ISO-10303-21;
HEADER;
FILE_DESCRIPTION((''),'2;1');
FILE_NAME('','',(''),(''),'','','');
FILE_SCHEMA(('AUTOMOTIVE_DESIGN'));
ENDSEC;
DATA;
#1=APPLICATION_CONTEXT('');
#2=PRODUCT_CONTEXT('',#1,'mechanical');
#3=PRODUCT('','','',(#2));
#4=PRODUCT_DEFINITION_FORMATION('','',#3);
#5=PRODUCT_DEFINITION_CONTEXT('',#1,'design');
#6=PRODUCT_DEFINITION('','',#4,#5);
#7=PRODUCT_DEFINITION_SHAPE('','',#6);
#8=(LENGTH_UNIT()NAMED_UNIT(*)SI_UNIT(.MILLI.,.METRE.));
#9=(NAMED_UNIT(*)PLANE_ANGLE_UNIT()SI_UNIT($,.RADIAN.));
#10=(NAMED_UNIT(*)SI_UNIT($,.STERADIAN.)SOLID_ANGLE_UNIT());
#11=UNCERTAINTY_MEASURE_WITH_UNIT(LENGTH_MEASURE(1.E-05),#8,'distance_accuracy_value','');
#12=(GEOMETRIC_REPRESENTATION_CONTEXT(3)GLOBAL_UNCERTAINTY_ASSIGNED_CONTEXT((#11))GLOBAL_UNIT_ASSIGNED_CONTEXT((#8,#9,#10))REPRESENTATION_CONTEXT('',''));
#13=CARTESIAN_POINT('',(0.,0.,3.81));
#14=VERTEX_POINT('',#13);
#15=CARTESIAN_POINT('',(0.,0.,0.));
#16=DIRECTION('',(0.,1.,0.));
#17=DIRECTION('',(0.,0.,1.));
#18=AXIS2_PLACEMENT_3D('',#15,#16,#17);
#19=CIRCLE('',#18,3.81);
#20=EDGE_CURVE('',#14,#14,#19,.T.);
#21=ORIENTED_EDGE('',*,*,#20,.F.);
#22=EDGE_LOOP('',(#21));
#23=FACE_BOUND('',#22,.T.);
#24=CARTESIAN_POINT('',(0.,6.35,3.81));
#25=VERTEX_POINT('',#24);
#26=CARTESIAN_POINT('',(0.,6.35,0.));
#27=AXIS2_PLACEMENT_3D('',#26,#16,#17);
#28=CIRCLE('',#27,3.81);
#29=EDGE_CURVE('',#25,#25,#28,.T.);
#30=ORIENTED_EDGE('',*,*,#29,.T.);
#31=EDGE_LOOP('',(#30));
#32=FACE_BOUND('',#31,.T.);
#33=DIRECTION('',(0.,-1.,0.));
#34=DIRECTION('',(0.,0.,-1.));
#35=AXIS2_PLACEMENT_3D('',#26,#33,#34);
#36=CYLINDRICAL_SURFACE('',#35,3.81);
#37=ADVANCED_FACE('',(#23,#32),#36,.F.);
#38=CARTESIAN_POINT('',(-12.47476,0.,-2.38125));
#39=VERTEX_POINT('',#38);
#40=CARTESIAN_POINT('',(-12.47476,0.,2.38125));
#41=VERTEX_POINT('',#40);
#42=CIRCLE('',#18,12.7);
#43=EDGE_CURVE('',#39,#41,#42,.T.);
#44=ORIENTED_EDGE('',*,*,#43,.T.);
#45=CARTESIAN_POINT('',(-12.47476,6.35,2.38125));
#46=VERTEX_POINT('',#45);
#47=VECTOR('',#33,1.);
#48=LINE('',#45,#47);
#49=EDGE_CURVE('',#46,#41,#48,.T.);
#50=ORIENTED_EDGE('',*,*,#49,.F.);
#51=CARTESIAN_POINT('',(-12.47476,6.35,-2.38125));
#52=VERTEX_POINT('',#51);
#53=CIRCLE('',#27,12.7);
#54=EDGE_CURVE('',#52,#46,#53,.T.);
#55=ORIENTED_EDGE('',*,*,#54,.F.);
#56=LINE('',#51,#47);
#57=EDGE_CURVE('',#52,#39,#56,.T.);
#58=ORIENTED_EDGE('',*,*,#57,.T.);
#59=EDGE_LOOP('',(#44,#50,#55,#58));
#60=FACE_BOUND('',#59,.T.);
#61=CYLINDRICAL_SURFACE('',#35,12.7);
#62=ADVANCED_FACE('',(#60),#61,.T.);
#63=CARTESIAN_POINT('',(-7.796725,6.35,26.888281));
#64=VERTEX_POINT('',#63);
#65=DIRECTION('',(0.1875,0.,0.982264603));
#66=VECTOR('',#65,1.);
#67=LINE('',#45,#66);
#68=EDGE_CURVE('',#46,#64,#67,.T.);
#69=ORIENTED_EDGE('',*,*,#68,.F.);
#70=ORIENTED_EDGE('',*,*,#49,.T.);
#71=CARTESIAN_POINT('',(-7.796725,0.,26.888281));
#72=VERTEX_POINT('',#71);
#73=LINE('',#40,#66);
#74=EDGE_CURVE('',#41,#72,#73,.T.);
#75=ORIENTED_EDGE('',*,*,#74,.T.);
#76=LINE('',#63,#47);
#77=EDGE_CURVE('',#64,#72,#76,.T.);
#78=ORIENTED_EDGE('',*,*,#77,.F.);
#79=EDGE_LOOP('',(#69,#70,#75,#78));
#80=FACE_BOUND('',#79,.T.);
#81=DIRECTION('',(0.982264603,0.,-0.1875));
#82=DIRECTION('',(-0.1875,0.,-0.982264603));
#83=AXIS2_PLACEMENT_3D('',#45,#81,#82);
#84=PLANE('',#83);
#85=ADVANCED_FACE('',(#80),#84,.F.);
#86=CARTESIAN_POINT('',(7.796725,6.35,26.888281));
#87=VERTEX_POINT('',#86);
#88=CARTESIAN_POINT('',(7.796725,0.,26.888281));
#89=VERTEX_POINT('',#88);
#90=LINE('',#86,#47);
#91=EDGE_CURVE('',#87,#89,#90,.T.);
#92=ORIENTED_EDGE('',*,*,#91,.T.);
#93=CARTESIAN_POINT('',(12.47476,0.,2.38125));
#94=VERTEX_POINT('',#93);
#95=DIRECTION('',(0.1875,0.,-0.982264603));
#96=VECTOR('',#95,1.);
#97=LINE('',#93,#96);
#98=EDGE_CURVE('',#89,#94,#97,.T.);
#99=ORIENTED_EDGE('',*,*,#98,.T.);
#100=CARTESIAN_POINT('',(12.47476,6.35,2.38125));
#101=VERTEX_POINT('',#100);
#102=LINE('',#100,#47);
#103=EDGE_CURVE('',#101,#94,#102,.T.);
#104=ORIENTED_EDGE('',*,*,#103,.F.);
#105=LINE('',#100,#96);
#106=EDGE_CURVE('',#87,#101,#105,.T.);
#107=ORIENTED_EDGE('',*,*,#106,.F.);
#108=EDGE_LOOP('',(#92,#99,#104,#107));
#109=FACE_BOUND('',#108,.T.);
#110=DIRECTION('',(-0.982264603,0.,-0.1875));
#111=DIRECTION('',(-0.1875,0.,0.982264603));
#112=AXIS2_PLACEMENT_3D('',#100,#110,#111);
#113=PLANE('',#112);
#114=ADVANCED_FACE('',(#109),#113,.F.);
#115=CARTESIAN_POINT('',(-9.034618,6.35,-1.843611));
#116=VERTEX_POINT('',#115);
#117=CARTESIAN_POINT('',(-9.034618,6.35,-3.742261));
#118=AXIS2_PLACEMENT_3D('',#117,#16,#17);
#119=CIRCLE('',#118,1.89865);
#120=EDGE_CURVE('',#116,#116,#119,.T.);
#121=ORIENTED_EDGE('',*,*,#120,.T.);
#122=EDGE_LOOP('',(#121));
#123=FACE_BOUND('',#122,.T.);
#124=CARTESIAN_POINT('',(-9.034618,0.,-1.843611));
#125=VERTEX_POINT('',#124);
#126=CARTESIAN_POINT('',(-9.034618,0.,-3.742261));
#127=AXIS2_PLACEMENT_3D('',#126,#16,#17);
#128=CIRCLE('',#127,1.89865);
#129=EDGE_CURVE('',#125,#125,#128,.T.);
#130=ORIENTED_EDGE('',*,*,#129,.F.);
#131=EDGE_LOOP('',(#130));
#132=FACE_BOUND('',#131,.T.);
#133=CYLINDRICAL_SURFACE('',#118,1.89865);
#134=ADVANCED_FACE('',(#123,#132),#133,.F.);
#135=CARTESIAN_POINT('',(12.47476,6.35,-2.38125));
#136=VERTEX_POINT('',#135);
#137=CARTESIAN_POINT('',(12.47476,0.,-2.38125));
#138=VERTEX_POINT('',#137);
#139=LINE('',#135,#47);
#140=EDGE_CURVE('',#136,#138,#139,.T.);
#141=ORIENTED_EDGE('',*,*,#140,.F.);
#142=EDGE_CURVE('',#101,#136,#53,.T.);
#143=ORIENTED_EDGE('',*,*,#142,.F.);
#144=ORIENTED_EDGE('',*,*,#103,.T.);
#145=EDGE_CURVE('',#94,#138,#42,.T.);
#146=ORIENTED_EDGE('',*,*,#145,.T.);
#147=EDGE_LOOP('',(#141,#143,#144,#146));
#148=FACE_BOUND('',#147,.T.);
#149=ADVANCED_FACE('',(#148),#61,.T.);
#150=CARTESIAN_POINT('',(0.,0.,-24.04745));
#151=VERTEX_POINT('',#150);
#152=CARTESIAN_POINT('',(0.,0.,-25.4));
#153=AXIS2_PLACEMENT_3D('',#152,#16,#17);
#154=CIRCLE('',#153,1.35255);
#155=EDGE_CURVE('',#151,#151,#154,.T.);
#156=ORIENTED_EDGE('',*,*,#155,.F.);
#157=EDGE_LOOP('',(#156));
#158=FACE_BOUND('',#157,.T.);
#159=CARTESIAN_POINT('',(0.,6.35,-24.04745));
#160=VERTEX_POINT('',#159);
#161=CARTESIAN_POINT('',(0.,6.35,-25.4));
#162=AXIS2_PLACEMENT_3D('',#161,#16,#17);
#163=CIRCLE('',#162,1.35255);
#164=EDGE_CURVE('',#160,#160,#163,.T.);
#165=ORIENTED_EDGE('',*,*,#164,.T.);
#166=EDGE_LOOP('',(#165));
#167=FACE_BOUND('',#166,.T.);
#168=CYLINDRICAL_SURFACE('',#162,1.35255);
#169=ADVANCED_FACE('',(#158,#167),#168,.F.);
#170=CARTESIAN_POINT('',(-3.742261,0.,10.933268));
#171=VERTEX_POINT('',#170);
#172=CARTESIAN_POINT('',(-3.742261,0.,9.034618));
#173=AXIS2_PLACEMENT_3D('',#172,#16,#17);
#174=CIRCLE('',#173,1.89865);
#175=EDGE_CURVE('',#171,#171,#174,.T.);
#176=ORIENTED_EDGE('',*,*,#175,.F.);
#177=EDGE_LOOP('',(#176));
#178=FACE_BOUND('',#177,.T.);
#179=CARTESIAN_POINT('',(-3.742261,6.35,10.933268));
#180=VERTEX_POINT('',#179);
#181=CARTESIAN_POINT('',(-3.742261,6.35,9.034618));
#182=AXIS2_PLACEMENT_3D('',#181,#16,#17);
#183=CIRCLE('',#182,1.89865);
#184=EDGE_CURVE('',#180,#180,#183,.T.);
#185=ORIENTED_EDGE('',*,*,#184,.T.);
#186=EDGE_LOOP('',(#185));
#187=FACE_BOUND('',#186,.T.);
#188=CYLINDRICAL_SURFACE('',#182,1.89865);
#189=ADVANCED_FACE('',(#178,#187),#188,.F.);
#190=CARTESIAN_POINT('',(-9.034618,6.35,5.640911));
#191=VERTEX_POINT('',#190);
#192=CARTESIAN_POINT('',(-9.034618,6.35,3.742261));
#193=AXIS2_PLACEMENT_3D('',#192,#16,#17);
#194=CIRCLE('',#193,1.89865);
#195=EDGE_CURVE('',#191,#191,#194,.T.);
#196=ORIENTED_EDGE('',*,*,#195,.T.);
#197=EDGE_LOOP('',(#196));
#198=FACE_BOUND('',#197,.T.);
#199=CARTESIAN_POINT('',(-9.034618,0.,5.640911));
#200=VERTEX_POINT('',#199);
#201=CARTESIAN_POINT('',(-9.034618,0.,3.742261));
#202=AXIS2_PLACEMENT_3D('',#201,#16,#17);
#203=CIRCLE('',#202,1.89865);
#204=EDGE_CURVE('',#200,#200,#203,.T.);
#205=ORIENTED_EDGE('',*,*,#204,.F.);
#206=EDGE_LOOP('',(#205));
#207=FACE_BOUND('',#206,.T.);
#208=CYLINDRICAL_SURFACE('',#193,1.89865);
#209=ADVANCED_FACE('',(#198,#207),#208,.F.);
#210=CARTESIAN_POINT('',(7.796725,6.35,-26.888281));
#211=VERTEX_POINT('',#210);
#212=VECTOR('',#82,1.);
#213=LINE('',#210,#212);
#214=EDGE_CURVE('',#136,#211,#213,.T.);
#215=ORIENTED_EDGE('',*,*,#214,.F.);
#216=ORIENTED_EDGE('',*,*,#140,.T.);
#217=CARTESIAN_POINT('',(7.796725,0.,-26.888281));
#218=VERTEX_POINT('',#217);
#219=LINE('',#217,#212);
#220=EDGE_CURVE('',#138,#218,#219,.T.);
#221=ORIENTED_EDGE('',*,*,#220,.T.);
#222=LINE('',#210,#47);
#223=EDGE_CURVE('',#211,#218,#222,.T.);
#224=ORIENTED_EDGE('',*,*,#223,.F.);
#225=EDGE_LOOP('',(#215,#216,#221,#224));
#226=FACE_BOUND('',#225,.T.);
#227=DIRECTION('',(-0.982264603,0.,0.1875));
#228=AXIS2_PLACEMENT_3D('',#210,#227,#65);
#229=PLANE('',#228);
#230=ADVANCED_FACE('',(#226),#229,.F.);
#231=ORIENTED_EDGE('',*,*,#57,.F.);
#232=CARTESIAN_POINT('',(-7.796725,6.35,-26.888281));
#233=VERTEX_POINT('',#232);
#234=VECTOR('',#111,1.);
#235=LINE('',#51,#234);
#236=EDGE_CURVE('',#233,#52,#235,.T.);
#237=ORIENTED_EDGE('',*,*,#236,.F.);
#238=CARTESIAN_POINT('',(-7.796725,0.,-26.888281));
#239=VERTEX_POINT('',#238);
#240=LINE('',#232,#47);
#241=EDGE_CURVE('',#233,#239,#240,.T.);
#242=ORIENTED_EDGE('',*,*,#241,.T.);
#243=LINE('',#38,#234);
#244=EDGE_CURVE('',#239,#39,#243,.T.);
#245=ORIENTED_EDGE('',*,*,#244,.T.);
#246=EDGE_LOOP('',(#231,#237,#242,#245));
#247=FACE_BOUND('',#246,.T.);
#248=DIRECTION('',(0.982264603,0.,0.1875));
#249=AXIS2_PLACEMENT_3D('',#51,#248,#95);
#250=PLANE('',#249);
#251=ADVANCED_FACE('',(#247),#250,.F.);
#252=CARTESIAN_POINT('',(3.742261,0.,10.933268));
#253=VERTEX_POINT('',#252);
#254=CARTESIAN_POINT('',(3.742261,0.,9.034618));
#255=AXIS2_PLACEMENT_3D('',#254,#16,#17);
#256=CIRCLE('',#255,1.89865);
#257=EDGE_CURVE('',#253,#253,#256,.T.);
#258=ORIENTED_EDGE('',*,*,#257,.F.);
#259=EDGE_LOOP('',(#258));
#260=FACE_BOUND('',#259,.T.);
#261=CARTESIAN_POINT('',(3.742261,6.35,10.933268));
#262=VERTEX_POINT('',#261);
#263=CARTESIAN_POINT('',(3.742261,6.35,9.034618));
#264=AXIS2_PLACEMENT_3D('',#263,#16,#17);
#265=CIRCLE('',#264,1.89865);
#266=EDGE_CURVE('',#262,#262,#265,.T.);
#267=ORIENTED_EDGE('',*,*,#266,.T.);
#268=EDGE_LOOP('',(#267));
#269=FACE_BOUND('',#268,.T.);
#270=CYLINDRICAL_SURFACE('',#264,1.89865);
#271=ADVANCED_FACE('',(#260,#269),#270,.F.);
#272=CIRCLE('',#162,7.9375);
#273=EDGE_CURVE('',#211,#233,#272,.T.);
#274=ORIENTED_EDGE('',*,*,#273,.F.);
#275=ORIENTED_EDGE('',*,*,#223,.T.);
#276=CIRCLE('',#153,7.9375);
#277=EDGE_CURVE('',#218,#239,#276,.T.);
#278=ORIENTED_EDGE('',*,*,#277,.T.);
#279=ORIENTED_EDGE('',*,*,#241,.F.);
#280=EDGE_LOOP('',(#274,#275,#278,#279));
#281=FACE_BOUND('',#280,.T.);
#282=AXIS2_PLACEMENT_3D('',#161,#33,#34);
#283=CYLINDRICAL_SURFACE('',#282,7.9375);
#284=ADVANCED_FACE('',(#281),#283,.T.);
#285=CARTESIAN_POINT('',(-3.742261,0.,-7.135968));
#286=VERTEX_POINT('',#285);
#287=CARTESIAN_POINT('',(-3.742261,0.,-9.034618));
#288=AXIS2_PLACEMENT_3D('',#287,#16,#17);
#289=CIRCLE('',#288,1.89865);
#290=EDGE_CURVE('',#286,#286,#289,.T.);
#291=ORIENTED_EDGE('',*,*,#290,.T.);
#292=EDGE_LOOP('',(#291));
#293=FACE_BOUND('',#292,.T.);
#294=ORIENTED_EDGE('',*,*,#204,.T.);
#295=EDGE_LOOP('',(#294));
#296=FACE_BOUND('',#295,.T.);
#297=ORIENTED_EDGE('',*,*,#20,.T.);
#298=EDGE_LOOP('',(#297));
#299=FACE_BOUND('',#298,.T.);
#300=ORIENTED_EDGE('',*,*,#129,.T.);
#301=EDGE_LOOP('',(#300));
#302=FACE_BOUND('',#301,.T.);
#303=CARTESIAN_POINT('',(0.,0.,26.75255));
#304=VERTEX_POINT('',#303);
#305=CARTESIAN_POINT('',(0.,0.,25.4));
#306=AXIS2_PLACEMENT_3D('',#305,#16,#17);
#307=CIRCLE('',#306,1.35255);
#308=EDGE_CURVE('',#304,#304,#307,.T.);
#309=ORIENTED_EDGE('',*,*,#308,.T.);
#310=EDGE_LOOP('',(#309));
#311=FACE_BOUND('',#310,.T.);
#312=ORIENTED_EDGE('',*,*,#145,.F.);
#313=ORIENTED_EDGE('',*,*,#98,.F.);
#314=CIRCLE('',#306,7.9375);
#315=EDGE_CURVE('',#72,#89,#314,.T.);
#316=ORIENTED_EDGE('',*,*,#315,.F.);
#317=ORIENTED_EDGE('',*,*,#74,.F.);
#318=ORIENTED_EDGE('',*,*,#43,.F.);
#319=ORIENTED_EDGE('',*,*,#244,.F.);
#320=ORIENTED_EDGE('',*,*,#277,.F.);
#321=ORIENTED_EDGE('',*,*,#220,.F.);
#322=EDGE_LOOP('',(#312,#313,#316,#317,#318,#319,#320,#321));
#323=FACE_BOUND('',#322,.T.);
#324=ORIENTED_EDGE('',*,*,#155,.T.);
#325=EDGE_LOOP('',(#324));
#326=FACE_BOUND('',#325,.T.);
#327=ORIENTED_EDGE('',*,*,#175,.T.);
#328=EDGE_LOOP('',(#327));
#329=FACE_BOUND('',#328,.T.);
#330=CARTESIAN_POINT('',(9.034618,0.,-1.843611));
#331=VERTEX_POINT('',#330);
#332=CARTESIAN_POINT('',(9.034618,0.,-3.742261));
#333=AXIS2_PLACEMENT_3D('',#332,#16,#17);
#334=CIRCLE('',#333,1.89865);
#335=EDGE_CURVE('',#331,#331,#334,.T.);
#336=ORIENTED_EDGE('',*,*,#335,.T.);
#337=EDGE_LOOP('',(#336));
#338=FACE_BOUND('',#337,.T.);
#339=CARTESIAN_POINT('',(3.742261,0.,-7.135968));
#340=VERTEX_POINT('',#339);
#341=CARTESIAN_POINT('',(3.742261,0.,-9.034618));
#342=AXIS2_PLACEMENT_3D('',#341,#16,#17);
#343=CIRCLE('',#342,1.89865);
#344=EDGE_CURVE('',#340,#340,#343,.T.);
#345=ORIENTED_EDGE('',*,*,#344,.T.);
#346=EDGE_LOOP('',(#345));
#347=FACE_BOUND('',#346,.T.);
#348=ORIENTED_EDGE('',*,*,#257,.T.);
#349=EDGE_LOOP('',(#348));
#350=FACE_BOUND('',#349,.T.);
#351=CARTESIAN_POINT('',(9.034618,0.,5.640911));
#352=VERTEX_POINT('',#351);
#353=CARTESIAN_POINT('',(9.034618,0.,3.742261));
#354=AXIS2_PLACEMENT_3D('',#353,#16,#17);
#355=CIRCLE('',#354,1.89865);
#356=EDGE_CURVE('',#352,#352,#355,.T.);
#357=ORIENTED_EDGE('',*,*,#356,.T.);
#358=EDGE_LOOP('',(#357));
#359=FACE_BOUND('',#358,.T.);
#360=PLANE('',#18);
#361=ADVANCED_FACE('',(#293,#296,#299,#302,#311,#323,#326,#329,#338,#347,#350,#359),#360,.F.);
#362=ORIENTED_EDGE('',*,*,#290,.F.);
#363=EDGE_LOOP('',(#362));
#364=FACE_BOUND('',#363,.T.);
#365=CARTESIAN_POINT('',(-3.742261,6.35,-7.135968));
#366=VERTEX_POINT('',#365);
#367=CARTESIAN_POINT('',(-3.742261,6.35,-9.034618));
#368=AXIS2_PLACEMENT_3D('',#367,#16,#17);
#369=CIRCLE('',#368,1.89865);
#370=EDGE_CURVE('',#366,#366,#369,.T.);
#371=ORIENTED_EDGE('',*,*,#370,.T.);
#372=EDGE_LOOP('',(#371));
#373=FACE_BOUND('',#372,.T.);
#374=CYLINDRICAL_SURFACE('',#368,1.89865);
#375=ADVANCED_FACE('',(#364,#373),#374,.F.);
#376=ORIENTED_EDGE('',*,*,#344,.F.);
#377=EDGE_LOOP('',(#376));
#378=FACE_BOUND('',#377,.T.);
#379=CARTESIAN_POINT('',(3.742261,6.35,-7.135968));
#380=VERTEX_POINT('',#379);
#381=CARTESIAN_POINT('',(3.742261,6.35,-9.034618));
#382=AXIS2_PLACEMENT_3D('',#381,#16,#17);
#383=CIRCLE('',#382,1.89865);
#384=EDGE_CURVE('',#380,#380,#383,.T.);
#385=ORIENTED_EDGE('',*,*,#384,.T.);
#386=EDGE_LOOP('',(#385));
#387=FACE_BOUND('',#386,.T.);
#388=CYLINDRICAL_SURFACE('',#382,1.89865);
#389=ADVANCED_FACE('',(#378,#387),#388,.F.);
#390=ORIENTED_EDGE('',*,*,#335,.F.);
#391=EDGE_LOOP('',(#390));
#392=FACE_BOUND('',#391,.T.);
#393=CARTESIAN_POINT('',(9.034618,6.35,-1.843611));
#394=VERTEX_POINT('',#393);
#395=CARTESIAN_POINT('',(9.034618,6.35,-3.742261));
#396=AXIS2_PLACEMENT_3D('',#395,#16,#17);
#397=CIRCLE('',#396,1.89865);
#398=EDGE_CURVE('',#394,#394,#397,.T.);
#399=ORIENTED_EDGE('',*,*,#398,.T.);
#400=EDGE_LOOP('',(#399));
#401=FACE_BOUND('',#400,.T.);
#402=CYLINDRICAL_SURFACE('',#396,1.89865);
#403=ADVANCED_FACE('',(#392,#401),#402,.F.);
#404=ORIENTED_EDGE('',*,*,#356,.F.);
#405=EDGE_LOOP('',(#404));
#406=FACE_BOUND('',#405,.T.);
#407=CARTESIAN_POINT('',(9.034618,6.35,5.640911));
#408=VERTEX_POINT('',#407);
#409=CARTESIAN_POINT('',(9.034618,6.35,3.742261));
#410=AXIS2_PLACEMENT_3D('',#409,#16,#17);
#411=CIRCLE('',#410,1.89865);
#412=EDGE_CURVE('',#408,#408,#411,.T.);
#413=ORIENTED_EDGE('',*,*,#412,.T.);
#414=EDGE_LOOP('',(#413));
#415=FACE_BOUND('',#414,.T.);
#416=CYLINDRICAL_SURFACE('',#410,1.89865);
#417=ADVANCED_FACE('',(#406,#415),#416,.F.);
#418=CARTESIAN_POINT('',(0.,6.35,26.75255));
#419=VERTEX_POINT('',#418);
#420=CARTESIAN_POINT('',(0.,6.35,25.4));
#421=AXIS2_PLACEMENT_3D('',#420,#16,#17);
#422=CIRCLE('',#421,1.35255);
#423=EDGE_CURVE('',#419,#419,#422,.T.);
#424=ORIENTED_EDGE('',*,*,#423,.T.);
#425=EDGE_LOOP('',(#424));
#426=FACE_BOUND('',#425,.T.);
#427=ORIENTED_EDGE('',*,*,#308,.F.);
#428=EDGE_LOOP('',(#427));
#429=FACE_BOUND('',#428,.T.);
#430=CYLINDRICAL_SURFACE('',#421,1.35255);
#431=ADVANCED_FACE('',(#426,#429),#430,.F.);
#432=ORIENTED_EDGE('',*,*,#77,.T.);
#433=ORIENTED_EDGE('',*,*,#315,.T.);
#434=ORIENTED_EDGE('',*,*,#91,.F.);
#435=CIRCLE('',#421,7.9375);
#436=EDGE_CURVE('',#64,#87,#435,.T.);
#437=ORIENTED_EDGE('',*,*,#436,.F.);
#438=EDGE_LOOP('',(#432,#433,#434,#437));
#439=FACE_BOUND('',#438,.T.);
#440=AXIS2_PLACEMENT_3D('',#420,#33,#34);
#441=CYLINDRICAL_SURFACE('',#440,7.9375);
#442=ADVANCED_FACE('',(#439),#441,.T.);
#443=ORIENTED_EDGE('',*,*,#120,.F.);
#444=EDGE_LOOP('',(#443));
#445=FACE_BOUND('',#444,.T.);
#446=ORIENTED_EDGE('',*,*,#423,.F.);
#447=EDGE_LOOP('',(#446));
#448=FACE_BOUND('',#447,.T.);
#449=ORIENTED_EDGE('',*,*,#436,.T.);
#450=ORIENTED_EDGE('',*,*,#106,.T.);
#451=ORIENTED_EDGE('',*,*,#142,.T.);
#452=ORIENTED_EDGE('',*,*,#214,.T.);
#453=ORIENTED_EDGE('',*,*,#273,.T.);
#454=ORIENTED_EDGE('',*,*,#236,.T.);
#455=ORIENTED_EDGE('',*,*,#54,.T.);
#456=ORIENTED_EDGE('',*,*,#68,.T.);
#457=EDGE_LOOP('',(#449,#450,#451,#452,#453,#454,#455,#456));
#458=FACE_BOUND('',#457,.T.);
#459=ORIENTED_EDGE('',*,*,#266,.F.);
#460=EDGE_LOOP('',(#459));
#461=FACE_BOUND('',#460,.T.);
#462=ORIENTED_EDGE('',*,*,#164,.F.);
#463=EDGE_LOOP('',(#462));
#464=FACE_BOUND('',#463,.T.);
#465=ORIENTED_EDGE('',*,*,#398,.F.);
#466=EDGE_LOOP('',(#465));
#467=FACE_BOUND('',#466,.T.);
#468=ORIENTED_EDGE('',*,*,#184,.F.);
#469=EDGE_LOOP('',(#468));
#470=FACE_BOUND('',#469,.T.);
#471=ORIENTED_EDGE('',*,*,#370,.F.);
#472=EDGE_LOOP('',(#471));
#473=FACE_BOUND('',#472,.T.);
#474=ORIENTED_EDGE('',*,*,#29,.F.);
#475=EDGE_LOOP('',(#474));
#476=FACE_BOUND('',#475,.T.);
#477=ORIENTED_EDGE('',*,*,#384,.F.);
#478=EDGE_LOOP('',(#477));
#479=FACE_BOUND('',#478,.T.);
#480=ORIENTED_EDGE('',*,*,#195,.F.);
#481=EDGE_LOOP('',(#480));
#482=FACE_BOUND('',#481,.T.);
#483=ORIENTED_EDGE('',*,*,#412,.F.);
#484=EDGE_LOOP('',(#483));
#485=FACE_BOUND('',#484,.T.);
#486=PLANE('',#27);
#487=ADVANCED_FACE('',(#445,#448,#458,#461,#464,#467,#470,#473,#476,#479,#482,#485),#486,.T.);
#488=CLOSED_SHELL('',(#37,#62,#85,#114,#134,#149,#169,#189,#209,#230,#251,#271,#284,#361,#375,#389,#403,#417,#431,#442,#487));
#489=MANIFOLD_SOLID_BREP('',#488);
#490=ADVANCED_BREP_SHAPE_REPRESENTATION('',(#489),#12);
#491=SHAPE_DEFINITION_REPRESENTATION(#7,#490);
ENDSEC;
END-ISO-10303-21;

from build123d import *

# Parameters (mm, degrees)
SKETCH1_R                      = 3.81
BOSS_EXTRUDE1_DEPTH            = 6.35
F_6_32_TAPPED_HOLE1_D          = 2.7051
F_6_CLEARANCE_HOLE1_AT_2_COUNT = 2
F_6_CLEARANCE_HOLE1_AT_2_PITCH = 7.48452257
F_6_CLEARANCE_HOLE1_AT_3_COUNT = 2
F_6_CLEARANCE_HOLE1_AT_3_PITCH = 19.558
F_6_CLEARANCE_HOLE1_AT_4_COUNT = 2
F_6_CLEARANCE_HOLE1_AT_4_PITCH = 18.069235897
CIRPATTERN1_COUNT              = 2
CIRPATTERN1_ANGLE              = 90


with BuildPart() as part:
    # Sketch1 → Boss-Extrude1 (new body)
    with BuildSketch(Plane(origin=(0, 0, 0), x_dir=(1, 0, 0), z_dir=(0, 1, 0))):
        with BuildLine():
            Line((-12.474760456, 2.38125), (-7.796725285, 26.88828125))
            ThreePointArc((-7.796725285, 26.88828125), (0, 33.3375), (7.796725285, 26.88828125))
            Line((7.796725285, 26.88828125), (12.474760456, 2.38125))
            ThreePointArc((12.474760456, 2.38125), (12.7, 0), (12.474760456, -2.38125))
            Line((12.474760456, -2.38125), (7.796725285, -26.88828125))
            ThreePointArc((7.796725285, -26.88828125), (0, -33.3375), (-7.796725285, -26.88828125))
            Line((-7.796725285, -26.88828125), (-12.474760456, -2.38125))
            ThreePointArc((-12.474760456, -2.38125), (-12.7, 0), (-12.474760456, 2.38125))
        make_face()
        Circle(SKETCH1_R, mode=Mode.SUBTRACT)
    extrude(amount=BOSS_EXTRUDE1_DEPTH)

    # #6-32 Tapped Hole1 (through all)
    with Locations(Plane(origin=(0, 6.35, 0), x_dir=(1, 0, 0), z_dir=(0, 1, 0))):
        with Locations((0, -25.4), (0, 25.4)):
            Hole(F_6_32_TAPPED_HOLE1_D / 2)

    # Sketch6 → #6 Clearance Hole1 (revolve, cut)
    with BuildSketch(Plane(origin=(-3.742261285, 6.35, -9.034617948), x_dir=(0, 0, 1), z_dir=(1, 0, 0))):
        Polygon((0, 0), (0, 10.538824014), (1.89865, 9.398), (1.89865, 0), align=None)
    f_6_clearance_hole1 = revolve(axis=Axis((-3.742261285, 12.7, -9.034617948), (0, -1, 0)), mode=Mode.SUBTRACT)

    # #6 Clearance Hole1 at 2: #6 Clearance Hole1 ×2
    with Locations(*[(i * F_6_CLEARANCE_HOLE1_AT_2_PITCH, 0, 0) for i in range(1, F_6_CLEARANCE_HOLE1_AT_2_COUNT)]):
        add(f_6_clearance_hole1, mode=Mode.SUBTRACT)

    # #6 Clearance Hole1 at 3: #6 Clearance Hole1 ×2
    with Locations(*[Vector(0.382683432, 0, 0.923879533) * (i * F_6_CLEARANCE_HOLE1_AT_3_PITCH) for i in range(1, F_6_CLEARANCE_HOLE1_AT_3_COUNT)]):
        add(f_6_clearance_hole1, mode=Mode.SUBTRACT)

    # #6 Clearance Hole1 at 4: #6 Clearance Hole1 ×2
    with Locations(*[(0, 0, i * F_6_CLEARANCE_HOLE1_AT_4_PITCH) for i in range(1, F_6_CLEARANCE_HOLE1_AT_4_COUNT)]):
        add(f_6_clearance_hole1, mode=Mode.SUBTRACT)

    # CirPattern1: #6 Clearance Hole1 ×2 about axis
    cirpattern1_axis = Axis((0, 0, 0), (0, 1, 0))
    for i in range(1, CIRPATTERN1_COUNT):
        add(f_6_clearance_hole1.rotate(cirpattern1_axis, i * CIRPATTERN1_ANGLE / (CIRPATTERN1_COUNT - 1)), mode=Mode.SUBTRACT)

    # CirPattern1 copy 1 sketch → CirPattern1 copy 1 (revolve, cut)
    with BuildSketch(Plane(origin=(-9.034617948, 6.35, -3.742261285), x_dir=(1, 0, 0), z_dir=(0, 0, -1))):
        Polygon((0, 0), (0, 10.538824014), (1.89865, 9.398), (1.89865, 0), align=None)
    revolve(axis=Axis((-9.034617948, 12.7, -3.742261285), (0, -1, 0)), mode=Mode.SUBTRACT)

    # CirPattern1 copy 2 sketch → CirPattern1 copy 2 (revolve, cut)
    with BuildSketch(Plane(origin=(9.034617948, 6.35, -3.742261285), x_dir=(1, 0, 0), z_dir=(0, 0, -1))):
        Polygon((0, 0), (0, 10.538824014), (1.89865, 9.398), (1.89865, 0), align=None)
    revolve(axis=Axis((9.034617948, 12.7, -3.742261285), (0, -1, 0)), mode=Mode.SUBTRACT)

    # CirPattern1 copy 3 sketch → CirPattern1 copy 3 (revolve, cut)
    with BuildSketch(Plane(origin=(9.034617948, 6.35, 3.742261285), x_dir=(1, 0, 0), z_dir=(0, 0, -1))):
        Polygon((0, 0), (0, 10.538824014), (1.89865, 9.398), (1.89865, 0), align=None)
    revolve(axis=Axis((9.034617948, 12.7, 3.742261285), (0, -1, 0)), mode=Mode.SUBTRACT)


solid = part.part
